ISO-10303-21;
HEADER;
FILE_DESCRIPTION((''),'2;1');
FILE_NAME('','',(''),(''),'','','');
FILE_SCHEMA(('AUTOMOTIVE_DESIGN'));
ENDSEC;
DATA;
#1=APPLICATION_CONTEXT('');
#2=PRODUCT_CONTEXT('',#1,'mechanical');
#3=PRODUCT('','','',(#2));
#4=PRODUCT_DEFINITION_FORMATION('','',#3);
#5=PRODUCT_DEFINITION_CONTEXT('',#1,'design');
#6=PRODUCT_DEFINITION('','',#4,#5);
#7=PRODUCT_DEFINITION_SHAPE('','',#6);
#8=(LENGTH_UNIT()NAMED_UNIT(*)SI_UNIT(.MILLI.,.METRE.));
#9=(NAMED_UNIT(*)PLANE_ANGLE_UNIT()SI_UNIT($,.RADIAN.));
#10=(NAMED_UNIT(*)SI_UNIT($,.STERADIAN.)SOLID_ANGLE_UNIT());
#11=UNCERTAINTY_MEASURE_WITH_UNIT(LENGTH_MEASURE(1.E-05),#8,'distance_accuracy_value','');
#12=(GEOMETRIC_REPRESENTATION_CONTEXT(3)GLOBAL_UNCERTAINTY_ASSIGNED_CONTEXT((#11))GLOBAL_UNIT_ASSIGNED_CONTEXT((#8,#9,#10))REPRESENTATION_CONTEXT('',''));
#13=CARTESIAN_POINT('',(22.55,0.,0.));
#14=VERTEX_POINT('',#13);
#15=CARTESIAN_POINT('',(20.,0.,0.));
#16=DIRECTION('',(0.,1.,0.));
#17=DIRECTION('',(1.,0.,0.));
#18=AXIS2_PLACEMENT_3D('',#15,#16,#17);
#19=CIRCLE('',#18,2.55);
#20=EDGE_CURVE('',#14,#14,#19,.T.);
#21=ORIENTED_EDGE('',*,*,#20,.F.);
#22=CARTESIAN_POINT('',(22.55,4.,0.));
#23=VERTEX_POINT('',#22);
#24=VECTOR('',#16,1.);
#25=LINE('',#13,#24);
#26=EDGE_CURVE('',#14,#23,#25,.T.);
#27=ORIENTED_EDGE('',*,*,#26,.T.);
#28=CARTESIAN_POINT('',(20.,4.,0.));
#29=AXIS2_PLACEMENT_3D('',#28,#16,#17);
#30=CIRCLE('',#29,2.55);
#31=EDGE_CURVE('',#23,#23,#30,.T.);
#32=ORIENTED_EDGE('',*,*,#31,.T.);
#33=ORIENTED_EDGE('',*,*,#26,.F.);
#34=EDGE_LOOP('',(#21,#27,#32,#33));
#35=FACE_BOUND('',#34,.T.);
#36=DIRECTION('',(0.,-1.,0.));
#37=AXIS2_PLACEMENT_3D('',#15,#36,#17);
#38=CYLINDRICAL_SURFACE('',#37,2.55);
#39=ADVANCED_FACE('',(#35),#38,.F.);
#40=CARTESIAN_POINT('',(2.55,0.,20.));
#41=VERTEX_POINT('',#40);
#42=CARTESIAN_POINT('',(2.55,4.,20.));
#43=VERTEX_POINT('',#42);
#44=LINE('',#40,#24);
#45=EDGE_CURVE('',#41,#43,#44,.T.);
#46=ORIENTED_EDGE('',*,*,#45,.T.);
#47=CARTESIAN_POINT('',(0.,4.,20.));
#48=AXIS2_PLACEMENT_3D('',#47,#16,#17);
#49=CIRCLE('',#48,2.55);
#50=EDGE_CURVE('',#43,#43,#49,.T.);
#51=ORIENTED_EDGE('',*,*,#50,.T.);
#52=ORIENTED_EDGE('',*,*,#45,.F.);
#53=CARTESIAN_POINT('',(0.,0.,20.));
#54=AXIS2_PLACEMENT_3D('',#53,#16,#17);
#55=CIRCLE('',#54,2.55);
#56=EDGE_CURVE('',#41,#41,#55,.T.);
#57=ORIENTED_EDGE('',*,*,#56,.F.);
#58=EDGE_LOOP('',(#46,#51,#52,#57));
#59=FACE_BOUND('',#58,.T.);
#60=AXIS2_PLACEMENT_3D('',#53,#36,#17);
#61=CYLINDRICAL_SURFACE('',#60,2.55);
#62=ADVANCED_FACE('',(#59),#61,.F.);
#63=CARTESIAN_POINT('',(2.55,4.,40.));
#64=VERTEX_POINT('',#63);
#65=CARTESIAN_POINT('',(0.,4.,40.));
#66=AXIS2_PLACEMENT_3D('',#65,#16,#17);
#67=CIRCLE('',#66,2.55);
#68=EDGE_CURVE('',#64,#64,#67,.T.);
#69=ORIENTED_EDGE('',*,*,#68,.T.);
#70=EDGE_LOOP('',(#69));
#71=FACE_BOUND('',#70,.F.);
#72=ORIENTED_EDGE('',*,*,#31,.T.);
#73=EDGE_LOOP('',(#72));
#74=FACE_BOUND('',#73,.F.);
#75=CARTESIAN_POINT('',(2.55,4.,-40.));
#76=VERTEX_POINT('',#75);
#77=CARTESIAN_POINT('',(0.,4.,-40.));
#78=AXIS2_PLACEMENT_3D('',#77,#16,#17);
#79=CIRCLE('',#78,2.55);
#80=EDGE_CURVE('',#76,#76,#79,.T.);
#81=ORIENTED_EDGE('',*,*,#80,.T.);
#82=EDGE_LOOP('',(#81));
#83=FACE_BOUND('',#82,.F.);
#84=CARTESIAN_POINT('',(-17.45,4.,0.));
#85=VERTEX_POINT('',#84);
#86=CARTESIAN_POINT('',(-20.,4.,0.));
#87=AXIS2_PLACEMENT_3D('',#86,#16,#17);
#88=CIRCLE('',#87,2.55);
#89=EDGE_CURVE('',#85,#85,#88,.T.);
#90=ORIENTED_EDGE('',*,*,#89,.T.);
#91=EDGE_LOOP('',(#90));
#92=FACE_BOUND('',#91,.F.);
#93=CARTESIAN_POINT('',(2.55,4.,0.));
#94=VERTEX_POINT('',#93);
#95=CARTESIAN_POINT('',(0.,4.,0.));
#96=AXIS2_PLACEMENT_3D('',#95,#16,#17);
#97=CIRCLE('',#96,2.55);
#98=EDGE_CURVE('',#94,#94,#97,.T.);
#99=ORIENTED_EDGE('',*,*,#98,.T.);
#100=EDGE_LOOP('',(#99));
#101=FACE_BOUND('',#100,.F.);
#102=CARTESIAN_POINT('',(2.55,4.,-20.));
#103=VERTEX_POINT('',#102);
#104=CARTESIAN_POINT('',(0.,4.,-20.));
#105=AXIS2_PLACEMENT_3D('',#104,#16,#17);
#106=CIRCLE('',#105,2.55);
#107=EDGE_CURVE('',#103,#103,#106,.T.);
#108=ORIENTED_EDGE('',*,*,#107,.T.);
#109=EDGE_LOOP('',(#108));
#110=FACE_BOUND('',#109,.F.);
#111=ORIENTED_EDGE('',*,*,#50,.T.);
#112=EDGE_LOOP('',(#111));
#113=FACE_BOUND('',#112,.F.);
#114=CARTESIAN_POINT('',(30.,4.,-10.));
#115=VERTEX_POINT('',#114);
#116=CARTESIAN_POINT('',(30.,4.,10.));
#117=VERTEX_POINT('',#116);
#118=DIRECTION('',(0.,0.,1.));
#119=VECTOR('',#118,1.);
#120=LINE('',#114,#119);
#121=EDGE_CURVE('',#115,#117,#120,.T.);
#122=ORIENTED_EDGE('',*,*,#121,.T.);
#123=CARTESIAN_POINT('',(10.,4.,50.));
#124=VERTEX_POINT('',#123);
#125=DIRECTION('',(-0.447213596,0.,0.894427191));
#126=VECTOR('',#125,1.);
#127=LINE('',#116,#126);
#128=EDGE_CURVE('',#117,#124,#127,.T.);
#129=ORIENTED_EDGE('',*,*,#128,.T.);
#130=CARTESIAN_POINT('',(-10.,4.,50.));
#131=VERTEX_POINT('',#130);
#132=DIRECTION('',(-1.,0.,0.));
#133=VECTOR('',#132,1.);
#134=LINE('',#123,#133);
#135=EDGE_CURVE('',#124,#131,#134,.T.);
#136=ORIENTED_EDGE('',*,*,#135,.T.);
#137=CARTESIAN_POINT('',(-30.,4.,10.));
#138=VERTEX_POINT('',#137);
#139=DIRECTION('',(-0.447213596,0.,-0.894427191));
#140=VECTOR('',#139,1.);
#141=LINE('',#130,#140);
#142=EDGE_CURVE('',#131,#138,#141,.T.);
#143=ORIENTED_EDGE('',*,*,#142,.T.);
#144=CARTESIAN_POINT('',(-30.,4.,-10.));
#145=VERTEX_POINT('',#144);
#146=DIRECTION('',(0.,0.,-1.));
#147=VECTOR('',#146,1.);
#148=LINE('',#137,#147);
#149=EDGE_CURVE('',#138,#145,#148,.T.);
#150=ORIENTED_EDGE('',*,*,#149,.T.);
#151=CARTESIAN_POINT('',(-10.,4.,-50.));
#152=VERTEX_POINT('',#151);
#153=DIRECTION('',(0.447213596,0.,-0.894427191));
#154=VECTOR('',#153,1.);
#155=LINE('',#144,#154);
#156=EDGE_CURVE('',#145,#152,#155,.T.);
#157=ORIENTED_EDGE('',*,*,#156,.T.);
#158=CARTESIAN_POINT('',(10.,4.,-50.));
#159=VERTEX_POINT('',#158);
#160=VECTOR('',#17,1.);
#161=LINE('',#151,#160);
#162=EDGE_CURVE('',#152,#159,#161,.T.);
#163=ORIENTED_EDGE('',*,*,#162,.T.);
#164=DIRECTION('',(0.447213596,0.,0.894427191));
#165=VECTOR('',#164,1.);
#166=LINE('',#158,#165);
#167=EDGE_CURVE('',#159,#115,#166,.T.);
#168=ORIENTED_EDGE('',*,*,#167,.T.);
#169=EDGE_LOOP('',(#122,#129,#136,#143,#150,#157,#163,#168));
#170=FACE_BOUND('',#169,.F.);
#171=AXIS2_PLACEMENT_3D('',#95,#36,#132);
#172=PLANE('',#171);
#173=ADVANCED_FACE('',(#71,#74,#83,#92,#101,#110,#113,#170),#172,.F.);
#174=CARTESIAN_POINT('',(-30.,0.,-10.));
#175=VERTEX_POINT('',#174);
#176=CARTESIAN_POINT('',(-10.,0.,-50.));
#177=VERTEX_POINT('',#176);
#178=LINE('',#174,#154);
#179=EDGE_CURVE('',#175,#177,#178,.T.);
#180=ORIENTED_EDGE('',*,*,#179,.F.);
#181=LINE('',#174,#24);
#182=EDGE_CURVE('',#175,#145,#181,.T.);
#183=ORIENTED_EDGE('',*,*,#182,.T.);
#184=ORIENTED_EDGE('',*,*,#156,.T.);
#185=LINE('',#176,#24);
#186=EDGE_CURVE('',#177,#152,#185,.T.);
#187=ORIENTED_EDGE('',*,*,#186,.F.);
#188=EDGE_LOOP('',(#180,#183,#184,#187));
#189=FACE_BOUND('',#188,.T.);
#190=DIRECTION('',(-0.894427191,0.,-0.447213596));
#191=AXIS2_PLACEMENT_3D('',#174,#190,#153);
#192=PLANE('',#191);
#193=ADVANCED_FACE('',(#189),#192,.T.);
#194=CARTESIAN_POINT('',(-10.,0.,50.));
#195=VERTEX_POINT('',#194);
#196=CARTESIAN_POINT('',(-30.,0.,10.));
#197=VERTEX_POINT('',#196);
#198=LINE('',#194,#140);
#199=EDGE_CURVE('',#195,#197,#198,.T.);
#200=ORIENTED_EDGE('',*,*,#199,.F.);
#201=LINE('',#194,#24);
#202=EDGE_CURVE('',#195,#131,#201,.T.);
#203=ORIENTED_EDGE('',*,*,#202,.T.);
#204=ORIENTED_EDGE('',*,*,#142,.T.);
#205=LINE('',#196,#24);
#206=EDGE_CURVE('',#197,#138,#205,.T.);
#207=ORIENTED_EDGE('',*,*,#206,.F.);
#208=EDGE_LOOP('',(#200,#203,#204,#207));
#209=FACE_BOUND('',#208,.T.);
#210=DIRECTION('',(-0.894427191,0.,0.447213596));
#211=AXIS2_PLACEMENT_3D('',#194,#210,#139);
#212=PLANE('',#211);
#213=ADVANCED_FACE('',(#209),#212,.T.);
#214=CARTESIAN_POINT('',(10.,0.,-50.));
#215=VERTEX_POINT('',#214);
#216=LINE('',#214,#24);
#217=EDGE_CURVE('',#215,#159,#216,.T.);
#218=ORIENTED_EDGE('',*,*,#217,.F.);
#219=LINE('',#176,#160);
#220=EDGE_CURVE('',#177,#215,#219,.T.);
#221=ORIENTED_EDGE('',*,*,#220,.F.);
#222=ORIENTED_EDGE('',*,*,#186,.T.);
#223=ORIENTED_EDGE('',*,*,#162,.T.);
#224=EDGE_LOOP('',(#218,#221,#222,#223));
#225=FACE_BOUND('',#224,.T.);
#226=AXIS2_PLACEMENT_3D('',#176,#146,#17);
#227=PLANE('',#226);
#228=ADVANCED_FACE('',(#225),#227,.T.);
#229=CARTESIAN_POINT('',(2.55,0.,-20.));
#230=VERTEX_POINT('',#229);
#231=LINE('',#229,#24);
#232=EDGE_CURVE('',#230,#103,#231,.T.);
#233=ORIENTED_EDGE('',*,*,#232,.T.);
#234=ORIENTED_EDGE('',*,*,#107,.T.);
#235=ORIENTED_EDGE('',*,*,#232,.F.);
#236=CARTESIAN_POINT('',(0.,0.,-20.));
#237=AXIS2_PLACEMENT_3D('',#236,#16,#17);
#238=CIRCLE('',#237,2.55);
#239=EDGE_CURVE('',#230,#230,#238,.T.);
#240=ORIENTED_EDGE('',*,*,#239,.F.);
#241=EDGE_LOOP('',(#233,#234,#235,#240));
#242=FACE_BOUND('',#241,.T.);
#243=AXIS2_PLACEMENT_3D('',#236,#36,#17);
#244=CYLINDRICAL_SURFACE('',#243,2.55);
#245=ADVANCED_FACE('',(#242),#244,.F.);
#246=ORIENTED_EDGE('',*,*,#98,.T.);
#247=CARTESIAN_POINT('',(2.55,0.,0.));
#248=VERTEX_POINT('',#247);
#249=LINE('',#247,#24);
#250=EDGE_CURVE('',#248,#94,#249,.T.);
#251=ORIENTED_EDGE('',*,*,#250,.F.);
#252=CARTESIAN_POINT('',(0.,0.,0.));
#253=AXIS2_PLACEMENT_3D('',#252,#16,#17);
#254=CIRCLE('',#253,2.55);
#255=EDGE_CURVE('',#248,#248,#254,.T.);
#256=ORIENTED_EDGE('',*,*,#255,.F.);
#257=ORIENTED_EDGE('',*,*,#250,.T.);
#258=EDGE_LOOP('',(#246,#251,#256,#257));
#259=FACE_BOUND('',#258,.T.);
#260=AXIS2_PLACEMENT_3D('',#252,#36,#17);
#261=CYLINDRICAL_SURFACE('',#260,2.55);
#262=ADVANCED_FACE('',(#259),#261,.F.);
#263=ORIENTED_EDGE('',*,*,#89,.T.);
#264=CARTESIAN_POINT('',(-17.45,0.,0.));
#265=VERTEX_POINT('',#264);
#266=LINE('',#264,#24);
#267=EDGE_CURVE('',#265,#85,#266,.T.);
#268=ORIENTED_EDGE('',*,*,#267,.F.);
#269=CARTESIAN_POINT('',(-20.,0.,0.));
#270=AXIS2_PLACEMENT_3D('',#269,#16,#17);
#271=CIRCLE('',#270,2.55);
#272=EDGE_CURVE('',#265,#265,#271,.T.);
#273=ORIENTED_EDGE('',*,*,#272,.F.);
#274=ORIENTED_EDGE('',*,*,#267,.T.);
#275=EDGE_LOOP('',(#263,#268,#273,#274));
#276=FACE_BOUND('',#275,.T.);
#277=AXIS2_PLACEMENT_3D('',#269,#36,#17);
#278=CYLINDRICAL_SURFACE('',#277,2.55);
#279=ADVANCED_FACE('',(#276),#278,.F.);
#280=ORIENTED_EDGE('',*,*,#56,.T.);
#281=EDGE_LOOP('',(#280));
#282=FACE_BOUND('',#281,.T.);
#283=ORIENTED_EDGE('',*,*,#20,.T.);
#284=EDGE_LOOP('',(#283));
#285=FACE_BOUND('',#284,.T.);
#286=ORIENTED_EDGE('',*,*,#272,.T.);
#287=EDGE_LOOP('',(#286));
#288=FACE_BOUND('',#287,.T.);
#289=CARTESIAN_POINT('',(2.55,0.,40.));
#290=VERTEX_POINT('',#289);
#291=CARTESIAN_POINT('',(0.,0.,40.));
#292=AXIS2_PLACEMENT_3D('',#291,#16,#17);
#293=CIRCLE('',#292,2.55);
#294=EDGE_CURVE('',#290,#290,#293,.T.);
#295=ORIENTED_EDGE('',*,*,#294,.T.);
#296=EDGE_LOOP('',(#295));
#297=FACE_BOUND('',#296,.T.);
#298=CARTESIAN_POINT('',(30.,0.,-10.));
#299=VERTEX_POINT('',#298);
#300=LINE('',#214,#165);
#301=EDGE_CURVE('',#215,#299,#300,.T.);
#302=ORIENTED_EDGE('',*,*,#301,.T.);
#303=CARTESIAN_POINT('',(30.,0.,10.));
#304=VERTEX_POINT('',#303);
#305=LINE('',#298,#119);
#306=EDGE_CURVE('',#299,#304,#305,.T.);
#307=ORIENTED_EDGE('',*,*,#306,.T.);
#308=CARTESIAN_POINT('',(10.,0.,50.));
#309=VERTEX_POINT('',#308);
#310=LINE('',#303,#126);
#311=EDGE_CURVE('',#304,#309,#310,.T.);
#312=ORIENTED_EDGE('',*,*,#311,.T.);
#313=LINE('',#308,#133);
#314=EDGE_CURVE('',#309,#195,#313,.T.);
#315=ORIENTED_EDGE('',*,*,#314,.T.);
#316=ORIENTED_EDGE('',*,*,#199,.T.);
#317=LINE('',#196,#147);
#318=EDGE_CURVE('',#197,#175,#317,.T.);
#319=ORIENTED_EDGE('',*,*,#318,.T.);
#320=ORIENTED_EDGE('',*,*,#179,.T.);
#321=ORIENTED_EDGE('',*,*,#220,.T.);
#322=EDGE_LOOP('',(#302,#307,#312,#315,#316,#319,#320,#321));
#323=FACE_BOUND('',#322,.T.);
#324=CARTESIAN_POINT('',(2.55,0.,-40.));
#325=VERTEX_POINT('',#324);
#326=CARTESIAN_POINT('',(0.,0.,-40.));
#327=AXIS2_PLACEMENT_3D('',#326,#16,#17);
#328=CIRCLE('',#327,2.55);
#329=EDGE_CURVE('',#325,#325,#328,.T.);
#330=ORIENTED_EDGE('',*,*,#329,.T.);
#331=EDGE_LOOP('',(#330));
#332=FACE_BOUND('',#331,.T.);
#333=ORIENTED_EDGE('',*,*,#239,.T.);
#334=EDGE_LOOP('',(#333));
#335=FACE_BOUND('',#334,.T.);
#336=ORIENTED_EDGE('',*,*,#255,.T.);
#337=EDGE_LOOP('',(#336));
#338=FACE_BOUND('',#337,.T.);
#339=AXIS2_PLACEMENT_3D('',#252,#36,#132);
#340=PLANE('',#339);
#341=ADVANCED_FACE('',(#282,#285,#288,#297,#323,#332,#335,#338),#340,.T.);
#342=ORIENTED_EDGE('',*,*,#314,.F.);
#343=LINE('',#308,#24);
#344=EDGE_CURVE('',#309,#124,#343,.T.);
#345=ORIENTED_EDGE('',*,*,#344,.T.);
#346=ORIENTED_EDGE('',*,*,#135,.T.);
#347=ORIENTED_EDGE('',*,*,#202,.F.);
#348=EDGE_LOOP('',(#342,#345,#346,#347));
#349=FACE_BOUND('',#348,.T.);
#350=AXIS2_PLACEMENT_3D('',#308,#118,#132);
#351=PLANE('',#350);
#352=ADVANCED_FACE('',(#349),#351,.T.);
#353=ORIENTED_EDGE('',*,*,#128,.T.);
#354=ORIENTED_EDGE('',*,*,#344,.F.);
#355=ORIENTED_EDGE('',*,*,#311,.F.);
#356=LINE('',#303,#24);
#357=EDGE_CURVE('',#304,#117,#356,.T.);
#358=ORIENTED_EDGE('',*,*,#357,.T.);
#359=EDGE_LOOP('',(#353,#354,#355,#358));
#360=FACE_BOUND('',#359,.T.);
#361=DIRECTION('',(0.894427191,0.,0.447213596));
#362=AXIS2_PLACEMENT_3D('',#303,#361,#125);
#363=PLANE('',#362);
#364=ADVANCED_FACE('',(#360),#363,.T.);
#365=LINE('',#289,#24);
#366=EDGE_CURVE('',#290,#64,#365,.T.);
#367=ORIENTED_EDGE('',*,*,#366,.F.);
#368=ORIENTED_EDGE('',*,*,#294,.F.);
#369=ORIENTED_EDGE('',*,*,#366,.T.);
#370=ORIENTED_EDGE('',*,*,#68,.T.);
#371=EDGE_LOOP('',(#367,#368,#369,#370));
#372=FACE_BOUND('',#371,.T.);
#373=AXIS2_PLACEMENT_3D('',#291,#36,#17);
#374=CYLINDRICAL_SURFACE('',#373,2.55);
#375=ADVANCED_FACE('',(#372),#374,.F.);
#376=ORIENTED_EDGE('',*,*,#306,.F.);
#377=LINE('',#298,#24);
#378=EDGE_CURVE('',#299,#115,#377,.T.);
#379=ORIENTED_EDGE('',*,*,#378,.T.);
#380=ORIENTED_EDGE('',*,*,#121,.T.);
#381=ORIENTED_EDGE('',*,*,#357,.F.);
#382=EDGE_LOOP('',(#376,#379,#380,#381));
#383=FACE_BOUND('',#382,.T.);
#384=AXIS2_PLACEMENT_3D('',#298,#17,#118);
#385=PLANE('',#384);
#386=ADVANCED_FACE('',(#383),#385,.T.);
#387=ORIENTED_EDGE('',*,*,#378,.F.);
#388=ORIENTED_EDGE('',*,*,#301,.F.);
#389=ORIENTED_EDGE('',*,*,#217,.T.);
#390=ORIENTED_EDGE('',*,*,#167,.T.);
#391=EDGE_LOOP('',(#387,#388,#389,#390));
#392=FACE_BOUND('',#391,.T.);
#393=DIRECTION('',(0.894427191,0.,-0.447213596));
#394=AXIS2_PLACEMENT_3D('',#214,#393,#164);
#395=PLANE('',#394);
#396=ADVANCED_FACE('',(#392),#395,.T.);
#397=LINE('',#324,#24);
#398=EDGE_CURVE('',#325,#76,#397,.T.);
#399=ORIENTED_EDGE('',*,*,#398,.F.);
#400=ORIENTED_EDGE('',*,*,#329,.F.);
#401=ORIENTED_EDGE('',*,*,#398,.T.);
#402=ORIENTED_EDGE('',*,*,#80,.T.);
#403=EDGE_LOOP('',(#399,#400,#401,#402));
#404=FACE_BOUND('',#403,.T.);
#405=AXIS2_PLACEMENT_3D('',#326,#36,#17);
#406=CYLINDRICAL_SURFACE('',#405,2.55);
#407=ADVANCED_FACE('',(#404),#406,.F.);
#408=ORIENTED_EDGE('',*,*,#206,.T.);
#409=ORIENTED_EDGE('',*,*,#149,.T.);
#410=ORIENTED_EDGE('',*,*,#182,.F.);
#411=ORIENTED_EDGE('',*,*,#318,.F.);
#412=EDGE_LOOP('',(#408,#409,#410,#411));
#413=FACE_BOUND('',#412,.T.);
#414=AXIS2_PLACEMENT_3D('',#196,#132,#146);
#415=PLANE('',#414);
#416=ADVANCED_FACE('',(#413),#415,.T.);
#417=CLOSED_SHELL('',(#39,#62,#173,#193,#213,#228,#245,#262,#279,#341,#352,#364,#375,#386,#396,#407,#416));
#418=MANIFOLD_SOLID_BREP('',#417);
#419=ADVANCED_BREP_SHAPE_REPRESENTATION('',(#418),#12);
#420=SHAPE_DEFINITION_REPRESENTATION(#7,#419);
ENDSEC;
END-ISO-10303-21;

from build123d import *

# Parameters (mm, degrees)
SKETCH1_R           = 2.55
BOSS_EXTRUDE1_DEPTH = 4


with BuildPart() as part:
    # Sketch1 → Boss-Extrude1 (new body)
    with BuildSketch(Plane(origin=(0, 0, 0), x_dir=(1, 0, 0), z_dir=(0, 1, 0))):
        Polygon((30, -10), (10, -50), (-10, -50), (-30, -10), (-30, 10), (-10, 50), (10, 50), (30, 10), align=None)
        with Locations((0, 20)):
            Circle(SKETCH1_R, mode=Mode.SUBTRACT)
        with Locations((0, 40)):
            Circle(SKETCH1_R, mode=Mode.SUBTRACT)
        Circle(SKETCH1_R, mode=Mode.SUBTRACT)
        with Locations((0, -20)):
            Circle(SKETCH1_R, mode=Mode.SUBTRACT)
        with Locations((0, -40)):
            Circle(SKETCH1_R, mode=Mode.SUBTRACT)
        with Locations((-20, 0)):
            Circle(SKETCH1_R, mode=Mode.SUBTRACT)
        with Locations((20, 0)):
            Circle(SKETCH1_R, mode=Mode.SUBTRACT)
    extrude(amount=BOSS_EXTRUDE1_DEPTH)


solid = part.part
